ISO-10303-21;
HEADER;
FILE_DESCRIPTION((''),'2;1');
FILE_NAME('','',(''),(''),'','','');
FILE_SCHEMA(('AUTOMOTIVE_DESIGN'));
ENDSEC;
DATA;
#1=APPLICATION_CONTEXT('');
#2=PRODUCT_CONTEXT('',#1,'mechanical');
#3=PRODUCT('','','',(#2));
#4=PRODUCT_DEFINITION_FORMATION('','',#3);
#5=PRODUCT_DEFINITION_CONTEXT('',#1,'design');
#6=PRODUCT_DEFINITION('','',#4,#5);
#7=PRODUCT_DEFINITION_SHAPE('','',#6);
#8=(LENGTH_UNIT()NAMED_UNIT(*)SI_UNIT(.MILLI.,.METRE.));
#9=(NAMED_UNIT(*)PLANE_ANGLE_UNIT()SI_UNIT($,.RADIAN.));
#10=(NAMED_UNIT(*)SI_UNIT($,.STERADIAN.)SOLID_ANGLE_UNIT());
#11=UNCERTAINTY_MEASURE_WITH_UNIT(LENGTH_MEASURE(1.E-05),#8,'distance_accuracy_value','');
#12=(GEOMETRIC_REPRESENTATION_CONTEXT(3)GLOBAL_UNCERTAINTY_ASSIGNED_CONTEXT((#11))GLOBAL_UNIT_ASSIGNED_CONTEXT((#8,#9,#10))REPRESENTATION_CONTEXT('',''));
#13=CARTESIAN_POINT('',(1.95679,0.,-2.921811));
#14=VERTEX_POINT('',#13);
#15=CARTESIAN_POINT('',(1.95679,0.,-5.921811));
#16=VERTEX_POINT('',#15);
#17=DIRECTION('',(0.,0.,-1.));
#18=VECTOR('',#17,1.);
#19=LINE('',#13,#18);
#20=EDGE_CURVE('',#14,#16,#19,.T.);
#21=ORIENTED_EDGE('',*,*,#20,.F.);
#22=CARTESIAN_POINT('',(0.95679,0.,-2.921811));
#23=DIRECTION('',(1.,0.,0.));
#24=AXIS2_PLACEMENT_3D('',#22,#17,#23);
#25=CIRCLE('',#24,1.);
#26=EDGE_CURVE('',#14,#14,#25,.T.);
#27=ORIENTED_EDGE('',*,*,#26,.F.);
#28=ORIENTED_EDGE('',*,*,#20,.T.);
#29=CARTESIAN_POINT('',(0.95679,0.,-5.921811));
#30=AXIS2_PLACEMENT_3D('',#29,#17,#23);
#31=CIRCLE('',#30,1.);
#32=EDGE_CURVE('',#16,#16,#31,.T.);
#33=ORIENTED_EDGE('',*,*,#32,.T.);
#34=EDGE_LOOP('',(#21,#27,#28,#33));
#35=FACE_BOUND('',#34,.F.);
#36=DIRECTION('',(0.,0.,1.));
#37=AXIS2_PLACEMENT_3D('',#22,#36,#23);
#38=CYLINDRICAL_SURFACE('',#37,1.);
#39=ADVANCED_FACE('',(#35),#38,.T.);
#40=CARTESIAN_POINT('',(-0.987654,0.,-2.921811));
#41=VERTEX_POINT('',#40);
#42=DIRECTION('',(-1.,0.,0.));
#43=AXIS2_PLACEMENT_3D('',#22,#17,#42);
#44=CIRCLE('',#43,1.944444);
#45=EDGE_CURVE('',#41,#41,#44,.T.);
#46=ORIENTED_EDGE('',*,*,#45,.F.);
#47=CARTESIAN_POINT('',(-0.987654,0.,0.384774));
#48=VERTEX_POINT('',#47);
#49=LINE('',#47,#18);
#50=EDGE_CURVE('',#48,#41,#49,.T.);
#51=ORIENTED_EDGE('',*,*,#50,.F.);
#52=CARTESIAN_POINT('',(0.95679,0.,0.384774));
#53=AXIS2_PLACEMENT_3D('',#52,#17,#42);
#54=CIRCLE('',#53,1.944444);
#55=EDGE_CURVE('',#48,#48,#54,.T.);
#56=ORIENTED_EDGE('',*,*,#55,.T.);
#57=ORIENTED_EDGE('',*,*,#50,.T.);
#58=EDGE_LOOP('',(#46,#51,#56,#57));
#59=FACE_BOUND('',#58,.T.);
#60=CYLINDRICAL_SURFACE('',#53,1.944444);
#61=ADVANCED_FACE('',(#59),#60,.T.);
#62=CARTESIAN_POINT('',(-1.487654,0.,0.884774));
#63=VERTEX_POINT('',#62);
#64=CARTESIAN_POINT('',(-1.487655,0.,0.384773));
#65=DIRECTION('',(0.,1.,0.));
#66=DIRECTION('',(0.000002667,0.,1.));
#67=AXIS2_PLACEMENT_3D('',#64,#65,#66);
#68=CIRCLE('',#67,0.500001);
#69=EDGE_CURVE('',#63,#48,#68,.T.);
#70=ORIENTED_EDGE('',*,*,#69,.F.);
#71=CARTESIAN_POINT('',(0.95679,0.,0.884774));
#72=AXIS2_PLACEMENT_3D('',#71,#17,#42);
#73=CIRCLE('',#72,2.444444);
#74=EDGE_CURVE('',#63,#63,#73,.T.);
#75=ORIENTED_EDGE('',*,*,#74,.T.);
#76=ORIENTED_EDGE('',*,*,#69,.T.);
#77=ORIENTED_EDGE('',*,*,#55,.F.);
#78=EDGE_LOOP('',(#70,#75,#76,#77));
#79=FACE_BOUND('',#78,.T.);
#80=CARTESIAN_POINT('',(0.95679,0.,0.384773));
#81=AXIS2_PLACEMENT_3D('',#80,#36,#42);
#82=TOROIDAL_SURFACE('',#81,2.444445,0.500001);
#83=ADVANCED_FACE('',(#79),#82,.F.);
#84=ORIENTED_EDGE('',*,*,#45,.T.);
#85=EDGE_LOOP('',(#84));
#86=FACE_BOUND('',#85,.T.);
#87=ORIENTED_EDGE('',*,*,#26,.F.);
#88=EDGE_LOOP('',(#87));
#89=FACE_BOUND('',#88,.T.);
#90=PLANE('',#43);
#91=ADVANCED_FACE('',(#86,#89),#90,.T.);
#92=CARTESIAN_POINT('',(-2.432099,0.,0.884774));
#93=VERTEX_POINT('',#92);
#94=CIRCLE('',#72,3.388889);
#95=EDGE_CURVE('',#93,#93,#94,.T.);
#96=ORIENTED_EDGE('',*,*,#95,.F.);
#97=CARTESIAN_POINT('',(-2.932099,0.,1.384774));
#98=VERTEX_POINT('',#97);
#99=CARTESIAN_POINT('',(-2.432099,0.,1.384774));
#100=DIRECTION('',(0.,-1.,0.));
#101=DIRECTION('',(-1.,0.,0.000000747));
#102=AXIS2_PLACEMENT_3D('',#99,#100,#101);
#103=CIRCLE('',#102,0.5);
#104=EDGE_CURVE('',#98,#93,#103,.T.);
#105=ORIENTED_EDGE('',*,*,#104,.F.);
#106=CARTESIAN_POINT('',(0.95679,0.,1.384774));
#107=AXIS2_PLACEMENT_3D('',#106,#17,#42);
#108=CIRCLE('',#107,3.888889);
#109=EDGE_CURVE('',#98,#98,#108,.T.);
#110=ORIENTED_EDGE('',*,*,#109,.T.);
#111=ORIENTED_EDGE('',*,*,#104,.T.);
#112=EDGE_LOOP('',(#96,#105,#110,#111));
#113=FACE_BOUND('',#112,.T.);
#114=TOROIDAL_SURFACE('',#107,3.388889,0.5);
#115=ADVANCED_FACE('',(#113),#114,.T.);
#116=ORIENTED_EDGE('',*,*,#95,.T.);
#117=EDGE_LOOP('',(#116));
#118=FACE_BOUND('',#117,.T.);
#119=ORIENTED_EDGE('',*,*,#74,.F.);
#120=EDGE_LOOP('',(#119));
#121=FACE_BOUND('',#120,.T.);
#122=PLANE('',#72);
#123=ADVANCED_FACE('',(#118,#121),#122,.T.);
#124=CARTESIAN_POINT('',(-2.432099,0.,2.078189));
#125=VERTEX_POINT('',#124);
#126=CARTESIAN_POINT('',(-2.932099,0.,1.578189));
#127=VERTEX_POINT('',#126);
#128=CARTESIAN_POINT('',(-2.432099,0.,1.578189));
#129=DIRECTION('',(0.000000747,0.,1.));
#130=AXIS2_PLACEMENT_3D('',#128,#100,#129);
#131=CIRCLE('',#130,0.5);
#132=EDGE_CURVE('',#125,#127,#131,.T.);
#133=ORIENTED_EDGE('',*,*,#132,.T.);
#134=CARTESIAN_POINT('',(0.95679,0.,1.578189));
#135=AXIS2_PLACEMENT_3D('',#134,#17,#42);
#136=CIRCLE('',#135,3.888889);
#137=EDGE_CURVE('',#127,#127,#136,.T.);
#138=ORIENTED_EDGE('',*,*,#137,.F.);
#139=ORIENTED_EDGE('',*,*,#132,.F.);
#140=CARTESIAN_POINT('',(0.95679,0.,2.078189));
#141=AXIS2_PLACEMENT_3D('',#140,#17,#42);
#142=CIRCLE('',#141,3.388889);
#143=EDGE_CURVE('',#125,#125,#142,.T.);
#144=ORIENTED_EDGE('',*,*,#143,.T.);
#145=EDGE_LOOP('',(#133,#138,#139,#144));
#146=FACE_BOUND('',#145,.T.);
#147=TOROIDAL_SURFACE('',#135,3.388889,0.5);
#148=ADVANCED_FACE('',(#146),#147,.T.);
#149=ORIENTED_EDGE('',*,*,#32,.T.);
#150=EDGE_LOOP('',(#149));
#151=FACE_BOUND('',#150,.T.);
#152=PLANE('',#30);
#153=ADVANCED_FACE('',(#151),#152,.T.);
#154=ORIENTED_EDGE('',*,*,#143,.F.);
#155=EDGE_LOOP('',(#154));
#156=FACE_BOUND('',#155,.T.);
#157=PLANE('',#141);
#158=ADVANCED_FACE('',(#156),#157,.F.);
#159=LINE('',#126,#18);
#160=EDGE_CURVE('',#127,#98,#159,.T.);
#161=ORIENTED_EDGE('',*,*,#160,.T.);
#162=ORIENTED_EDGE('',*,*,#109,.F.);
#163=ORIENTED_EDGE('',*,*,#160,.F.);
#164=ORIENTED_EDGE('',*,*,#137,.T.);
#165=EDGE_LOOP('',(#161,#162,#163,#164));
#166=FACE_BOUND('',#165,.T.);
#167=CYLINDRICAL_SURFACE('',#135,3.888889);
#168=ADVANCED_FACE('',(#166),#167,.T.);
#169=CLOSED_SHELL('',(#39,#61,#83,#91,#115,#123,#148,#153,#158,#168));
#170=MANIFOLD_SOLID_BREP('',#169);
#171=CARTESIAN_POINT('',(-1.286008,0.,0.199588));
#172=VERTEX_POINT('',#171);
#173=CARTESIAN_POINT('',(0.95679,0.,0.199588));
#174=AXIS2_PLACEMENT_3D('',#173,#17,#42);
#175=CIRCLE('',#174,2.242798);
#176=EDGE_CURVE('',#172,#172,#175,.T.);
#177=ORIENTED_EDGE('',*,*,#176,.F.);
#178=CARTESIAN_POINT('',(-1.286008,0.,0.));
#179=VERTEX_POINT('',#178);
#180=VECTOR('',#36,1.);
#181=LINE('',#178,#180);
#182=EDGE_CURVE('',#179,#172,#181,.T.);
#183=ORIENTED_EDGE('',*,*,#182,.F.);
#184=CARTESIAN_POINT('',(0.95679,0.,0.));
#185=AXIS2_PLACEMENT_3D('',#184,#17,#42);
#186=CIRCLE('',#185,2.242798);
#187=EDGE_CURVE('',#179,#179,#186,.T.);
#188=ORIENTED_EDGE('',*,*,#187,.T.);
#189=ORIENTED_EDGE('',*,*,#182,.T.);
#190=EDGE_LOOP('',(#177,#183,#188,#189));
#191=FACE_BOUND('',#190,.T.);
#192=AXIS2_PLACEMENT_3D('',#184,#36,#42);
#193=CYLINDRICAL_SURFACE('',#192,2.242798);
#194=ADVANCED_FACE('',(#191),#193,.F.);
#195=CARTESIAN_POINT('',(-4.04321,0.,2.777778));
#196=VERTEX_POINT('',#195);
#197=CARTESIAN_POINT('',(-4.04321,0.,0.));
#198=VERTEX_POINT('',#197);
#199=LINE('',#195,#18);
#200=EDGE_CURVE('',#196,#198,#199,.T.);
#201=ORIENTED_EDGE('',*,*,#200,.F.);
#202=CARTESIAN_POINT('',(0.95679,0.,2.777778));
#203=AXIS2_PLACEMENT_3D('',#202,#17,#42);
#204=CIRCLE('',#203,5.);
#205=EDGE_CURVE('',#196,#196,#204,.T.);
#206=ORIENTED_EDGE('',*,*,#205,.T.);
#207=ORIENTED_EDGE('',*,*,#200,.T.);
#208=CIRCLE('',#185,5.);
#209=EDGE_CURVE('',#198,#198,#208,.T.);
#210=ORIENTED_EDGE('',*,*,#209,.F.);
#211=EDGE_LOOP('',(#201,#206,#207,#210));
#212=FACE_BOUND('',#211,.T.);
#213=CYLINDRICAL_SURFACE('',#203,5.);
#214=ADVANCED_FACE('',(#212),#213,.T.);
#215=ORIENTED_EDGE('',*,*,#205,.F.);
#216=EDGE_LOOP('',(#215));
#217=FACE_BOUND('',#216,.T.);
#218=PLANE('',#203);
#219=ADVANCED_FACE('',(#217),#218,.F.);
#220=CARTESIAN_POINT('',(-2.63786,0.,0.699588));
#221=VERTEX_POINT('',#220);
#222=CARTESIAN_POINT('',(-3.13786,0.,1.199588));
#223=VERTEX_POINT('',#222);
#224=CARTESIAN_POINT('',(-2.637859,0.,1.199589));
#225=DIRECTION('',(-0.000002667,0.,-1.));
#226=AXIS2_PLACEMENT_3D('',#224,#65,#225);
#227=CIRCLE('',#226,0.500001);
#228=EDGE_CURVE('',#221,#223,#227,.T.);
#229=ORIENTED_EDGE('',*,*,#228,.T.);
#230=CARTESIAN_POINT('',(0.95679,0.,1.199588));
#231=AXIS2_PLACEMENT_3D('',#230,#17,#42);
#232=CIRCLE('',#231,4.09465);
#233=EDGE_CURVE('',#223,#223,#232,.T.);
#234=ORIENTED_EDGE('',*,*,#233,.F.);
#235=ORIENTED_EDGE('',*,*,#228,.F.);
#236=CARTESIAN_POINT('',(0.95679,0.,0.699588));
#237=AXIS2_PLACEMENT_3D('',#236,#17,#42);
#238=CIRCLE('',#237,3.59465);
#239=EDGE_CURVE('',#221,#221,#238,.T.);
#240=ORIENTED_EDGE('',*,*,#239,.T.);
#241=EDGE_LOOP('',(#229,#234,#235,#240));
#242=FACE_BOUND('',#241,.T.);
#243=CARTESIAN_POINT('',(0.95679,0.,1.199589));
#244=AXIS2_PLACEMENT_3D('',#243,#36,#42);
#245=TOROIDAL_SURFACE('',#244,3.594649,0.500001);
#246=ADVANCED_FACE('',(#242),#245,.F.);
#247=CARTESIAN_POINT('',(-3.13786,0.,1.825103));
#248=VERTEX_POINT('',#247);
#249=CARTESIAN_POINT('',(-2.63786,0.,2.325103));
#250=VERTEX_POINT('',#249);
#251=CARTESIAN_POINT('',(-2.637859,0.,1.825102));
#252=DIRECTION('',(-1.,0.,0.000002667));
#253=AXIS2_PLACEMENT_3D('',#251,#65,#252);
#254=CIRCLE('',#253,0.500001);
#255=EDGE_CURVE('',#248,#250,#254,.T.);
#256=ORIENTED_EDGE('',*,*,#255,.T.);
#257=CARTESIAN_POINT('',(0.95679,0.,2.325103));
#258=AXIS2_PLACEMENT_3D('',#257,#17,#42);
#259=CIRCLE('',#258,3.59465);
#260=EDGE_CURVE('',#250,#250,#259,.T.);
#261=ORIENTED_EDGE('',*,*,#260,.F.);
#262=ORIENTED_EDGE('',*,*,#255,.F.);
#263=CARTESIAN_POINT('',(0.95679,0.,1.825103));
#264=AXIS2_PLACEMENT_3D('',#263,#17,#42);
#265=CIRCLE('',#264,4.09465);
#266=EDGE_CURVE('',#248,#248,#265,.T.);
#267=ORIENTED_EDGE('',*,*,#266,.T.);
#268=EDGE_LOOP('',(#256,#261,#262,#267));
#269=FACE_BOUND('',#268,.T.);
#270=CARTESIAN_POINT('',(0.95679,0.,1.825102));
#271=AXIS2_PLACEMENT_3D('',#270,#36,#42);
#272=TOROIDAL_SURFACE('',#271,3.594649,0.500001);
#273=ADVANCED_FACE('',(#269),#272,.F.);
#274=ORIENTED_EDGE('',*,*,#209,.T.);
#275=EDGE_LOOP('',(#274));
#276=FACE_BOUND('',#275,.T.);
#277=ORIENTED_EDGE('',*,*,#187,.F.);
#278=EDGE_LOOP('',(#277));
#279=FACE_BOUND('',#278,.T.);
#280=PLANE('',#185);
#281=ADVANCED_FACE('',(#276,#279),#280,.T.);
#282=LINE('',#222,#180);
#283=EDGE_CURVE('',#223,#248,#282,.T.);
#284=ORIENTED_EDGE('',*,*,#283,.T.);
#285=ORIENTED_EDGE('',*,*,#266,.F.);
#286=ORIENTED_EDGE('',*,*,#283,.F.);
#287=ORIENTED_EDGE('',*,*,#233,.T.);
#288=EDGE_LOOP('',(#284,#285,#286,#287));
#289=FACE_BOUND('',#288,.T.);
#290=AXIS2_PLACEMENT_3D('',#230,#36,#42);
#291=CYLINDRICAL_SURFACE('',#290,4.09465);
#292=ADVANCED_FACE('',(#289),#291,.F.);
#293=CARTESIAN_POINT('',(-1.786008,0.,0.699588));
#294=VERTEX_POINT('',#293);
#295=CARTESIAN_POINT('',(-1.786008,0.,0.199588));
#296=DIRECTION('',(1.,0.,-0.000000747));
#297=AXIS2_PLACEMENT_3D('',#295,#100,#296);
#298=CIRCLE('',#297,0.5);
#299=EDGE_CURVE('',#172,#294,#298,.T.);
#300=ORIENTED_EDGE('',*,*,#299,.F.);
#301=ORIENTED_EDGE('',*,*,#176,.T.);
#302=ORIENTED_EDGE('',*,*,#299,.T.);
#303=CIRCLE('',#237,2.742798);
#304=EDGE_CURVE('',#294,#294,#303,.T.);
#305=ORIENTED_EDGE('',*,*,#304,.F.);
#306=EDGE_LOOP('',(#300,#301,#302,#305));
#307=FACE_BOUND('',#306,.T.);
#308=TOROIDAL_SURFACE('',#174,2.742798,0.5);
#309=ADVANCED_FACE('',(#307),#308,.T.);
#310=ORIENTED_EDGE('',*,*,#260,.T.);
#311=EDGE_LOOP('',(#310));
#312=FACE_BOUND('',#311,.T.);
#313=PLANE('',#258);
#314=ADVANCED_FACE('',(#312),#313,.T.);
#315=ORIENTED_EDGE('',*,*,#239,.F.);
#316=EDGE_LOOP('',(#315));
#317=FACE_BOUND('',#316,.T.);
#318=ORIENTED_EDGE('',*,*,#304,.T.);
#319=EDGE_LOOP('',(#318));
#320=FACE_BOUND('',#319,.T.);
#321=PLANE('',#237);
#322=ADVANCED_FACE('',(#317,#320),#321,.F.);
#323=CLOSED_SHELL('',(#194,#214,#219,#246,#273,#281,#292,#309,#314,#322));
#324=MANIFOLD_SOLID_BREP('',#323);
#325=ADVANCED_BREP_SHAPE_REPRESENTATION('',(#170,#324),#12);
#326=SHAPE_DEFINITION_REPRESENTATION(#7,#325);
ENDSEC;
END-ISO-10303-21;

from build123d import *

# Parameters (mm, degrees)
F2_R     = 1
F3_DEPTH = 3


with BuildPart() as f1:
    # F0 (on Front) → F1 (revolve)
    with BuildSketch(Plane.XZ):
        with BuildLine():
            ThreePointArc((-1.286008, 0.199588), (-1.432455, 0.553142), (-1.786008, 0.699588))
            Line((-1.786008, 0.699588), (-2.63786, 0.699588))
            ThreePointArc((-2.63786, 0.699588), (-2.991413, 0.846035), (-3.13786, 1.199588))
            Line((-3.13786, 1.199588), (-3.13786, 1.825103))
            ThreePointArc((-3.13786, 1.825103), (-2.991413, 2.178656), (-2.63786, 2.325103))
            Line((-2.63786, 2.325103), (0.95679, 2.325103))
            Line((0.95679, 2.325103), (0.95679, 2.777778))
            Line((0.95679, 2.777778), (-3.13786, 2.777778))
            Line((-3.13786, 2.777778), (-4.04321, 2.777778))
            Line((-4.04321, 2.777778), (-4.04321, 2.325103))
            Line((-4.04321, 2.325103), (-4.04321, 0.699588))
            Line((-4.04321, 0.699588), (-4.04321, 0))
            Line((-4.04321, 0), (-3.13786, 0))
            Line((-3.13786, 0), (-1.286008, 0))
            Line((-1.286008, 0), (-1.286008, 0.199588))
        make_face()
        with BuildLine():
            Line((-0.987654, 2.078189), (-2.432099, 2.078189))
            ThreePointArc((-2.432099, 2.078189), (-2.785652, 1.931743), (-2.932099, 1.578189))
            Line((-2.932099, 1.578189), (-2.932099, 1.384774))
            ThreePointArc((-2.932099, 1.384774), (-2.785652, 1.03122), (-2.432099, 0.884774))
            Line((-2.432099, 0.884774), (-1.487654, 0.884774))
            ThreePointArc((-1.487654, 0.884774), (-1.134101, 0.738327), (-0.987654, 0.384774))
            Line((-0.987654, 0.384774), (-0.987654, -2.921811))
            Line((-0.987654, -2.921811), (0.95679, -2.921811))
            Line((0.95679, -2.921811), (0.95679, 0.884774))
            Line((0.95679, 0.884774), (0.95679, 2.078189))
            Line((0.95679, 2.078189), (-0.987654, 2.078189))
        make_face()
    revolve(axis=Axis((0.95679, 0, -0.421811), (0, 0, -1)))

    # F2 (on face) → F3 (join)
    with BuildSketch(Plane(origin=(0, 0, -2.921811), x_dir=(1, 0, 0), z_dir=(0, 0, -1))):
        with Locations((0.95679, 0)):
            Circle(F2_R)
    extrude(amount=F3_DEPTH)


solid = f1.part
